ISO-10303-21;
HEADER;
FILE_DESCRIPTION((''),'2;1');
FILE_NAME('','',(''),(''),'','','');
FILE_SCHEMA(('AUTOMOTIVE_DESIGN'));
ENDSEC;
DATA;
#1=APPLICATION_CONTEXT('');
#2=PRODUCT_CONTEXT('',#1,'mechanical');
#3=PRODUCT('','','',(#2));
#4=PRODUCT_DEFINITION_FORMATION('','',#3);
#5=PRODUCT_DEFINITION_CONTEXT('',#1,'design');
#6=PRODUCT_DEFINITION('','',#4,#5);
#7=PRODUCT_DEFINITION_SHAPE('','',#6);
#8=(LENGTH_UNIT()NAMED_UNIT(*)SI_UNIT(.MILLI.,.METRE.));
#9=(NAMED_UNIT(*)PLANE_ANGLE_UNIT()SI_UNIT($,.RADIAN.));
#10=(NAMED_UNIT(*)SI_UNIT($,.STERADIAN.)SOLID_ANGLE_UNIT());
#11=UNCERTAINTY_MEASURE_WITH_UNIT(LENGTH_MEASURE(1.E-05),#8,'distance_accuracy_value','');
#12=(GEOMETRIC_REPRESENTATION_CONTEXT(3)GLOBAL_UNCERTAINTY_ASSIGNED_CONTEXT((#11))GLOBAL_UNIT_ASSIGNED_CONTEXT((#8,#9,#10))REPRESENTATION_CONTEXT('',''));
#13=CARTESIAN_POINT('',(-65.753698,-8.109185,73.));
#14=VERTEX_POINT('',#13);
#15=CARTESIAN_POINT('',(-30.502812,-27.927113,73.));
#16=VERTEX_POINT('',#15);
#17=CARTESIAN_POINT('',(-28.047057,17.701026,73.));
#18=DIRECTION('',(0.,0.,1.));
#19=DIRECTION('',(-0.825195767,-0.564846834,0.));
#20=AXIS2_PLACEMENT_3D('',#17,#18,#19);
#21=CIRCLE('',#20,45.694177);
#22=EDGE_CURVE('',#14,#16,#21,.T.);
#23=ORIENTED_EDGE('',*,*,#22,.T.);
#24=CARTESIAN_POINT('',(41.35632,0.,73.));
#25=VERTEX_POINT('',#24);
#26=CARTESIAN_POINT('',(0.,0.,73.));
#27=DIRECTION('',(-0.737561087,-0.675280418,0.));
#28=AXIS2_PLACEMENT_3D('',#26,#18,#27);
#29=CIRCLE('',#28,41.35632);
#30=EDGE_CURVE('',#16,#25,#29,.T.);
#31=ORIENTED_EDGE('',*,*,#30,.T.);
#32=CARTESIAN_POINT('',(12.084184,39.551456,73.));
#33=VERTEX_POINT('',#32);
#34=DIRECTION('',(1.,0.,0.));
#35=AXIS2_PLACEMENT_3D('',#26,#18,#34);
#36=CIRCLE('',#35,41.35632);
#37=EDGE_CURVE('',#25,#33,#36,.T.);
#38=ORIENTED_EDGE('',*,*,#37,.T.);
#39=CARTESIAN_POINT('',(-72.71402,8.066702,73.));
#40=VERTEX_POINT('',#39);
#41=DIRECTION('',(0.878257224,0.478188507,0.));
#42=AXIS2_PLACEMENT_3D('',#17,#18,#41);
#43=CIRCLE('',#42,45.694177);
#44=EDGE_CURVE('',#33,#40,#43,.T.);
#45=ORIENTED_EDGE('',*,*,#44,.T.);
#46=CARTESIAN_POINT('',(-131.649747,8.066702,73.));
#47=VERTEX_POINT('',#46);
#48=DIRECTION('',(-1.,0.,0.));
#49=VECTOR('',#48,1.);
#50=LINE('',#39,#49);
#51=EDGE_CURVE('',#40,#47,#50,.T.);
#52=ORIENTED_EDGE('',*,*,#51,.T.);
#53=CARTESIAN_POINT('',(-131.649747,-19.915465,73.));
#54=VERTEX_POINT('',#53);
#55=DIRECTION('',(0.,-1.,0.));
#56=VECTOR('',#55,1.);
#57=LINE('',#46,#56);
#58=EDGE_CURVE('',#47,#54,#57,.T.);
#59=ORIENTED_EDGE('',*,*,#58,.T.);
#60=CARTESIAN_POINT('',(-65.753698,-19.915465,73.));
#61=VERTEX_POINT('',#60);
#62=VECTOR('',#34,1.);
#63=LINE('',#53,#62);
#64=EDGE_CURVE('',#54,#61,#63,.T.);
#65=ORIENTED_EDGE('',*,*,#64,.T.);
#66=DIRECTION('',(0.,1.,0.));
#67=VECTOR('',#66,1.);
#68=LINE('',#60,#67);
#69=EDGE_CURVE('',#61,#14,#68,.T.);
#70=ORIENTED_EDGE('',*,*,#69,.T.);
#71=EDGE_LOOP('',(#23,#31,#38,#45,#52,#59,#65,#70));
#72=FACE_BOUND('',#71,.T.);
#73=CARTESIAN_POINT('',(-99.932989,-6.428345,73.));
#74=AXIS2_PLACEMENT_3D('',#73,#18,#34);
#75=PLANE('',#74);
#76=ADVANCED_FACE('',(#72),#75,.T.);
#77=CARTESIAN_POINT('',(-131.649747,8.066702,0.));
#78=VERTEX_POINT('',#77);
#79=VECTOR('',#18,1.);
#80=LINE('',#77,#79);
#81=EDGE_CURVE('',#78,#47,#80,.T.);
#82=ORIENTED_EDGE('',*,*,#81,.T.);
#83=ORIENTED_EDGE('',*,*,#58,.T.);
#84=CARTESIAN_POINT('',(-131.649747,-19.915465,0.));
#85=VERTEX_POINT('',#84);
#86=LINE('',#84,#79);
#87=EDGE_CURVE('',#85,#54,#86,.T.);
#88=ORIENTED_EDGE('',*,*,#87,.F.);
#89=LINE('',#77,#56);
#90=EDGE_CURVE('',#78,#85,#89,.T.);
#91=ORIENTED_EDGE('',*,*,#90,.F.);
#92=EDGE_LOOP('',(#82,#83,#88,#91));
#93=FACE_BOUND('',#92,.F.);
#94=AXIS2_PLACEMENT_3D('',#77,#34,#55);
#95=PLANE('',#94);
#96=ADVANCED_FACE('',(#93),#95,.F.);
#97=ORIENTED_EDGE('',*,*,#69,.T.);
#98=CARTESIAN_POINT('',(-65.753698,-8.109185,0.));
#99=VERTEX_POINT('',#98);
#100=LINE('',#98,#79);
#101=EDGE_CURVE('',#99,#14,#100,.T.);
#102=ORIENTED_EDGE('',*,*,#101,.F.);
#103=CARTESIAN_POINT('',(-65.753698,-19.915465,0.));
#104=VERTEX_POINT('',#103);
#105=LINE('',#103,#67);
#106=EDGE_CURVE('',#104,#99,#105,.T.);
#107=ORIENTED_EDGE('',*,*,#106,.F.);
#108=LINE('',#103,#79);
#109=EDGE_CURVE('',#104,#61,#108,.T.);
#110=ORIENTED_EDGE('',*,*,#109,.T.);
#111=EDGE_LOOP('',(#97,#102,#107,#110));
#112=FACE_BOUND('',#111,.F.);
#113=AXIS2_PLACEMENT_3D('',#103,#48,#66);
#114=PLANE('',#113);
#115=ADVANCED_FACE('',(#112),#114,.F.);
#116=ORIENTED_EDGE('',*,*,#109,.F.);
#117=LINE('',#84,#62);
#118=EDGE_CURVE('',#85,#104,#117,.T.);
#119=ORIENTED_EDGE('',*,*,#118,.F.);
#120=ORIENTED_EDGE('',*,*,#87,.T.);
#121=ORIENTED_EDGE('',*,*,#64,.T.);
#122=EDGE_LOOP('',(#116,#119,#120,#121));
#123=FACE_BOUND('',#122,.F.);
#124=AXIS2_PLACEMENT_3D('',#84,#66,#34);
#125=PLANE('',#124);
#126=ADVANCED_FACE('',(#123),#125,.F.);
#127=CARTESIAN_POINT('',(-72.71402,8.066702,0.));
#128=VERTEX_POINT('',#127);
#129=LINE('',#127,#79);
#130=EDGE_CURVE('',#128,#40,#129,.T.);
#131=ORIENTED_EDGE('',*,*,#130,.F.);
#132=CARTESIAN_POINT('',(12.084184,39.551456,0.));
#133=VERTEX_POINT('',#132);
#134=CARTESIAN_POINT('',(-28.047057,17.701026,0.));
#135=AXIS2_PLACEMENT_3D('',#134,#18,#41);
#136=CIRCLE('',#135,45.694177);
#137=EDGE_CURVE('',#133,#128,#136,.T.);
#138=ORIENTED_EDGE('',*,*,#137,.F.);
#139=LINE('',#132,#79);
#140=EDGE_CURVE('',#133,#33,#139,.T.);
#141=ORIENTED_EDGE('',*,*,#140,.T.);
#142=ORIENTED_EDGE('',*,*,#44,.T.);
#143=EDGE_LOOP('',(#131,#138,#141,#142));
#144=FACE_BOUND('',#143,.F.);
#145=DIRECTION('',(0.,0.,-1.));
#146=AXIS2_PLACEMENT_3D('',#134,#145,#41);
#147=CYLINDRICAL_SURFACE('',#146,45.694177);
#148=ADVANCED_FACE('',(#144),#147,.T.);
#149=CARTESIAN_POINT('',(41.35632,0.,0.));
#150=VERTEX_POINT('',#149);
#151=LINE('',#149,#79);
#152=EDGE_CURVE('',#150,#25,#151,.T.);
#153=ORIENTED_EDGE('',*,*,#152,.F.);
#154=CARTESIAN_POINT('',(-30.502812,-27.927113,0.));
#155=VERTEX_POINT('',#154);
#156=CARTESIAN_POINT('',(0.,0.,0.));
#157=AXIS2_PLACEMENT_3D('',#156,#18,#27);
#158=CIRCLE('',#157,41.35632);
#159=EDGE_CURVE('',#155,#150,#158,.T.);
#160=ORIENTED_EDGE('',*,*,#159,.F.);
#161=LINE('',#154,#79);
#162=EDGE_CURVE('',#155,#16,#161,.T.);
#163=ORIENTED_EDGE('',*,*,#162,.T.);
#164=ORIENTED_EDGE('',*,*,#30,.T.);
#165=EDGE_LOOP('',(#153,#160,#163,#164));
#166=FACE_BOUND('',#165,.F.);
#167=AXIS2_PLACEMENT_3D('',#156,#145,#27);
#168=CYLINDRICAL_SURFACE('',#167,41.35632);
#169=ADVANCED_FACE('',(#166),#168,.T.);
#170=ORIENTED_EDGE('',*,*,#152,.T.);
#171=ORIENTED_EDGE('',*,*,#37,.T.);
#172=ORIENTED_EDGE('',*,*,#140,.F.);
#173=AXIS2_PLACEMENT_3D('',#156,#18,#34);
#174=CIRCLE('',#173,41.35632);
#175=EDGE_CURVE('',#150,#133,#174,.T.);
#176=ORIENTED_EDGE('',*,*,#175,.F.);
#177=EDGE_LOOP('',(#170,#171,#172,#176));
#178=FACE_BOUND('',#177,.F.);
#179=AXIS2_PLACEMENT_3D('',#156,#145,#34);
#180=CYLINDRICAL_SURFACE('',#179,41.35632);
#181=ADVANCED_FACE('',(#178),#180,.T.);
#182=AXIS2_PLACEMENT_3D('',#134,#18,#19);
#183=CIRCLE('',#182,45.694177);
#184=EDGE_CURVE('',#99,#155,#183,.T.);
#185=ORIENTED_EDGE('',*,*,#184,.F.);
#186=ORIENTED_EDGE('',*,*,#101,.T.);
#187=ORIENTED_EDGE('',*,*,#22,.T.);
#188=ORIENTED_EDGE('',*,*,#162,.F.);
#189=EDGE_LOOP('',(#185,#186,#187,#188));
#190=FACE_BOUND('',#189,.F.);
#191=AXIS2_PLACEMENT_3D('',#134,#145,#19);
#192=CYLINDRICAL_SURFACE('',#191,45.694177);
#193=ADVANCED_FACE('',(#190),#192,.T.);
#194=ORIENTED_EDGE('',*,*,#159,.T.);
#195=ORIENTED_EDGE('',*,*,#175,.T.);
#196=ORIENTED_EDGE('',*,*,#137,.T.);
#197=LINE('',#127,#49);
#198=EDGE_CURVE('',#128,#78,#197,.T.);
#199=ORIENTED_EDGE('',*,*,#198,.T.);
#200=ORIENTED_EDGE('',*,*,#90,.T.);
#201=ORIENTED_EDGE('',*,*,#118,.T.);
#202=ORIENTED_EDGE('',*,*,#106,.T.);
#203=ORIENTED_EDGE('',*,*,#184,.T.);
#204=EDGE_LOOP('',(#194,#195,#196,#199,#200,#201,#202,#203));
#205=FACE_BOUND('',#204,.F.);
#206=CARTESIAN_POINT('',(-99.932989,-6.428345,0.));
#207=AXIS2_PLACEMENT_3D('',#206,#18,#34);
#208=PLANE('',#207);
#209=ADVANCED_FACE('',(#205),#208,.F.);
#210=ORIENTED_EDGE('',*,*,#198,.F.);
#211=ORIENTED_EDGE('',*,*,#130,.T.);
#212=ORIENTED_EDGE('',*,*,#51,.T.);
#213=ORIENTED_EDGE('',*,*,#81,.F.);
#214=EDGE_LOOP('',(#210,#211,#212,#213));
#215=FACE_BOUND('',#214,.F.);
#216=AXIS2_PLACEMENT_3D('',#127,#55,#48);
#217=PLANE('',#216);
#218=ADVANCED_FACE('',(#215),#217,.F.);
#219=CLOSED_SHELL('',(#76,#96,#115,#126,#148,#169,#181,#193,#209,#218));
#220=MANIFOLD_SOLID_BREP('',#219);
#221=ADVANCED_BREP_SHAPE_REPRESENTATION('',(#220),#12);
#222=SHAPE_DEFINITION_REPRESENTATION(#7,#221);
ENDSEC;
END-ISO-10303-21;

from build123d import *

# Parameters (mm, degrees)
F1_DEPTH = 73


with BuildPart() as f1:
    # F0 (on Top) → F1 (new body)
    with BuildSketch(Plane.XY):
        with BuildLine():
            Line((-72.7140201691, 8.0667017028), (-131.6497474909, 8.0667017028))
            Line((-131.6497474909, 8.0667017028), (-131.6497474909, -19.9154652655))
            Line((-131.6497474909, -19.9154652655), (-65.753698349, -19.9154652655))
            Line((-65.753698349, -19.9154652655), (-65.753698349, -8.1091851911))
            ThreePointArc((-65.753698349, -8.1091851911), (-70.0204713157, -0.3597130192), (-72.7140201691, 8.0667017028))
        make_face()
        with BuildLine():
            ThreePointArc((12.0841842232, 39.5514563587), (-43.95195039, 60.5378347362), (-72.7140201691, 8.0667017028))
            Line((-72.7140201691, 8.0667017028), (-65.753698349, 8.0667017028))
            Line((-65.753698349, 8.0667017028), (-65.753698349, -8.1091851911))
            ThreePointArc((-65.753698349, -8.1091851911), (-50.4399597526, -22.1300637719), (-30.5028123826, -27.9271130837))
            ThreePointArc((-30.5028123826, -27.9271130837), (-34.9735728703, 22.0724808102), (12.0841842232, 39.5514563587))
        make_face()
        with BuildLine():
            Line((-65.753698349, 8.0667017028), (-72.7140201691, 8.0667017028))
            ThreePointArc((-72.7140201691, 8.0667017028), (-70.0204713157, -0.3597130192), (-65.753698349, -8.1091851911))
            Line((-65.753698349, -8.1091851911), (-65.753698349, 8.0667017028))
        make_face()
        with BuildLine():
            ThreePointArc((41.3563200543, 0), (33.2423118838, 24.6027215782), (12.0841842232, 39.5514563587))
            ThreePointArc((12.0841842232, 39.5514563587), (16.234552473, 28.9747517123), (17.6471201799, 17.7010260522))
            ThreePointArc((17.6471201799, 17.7010260522), (3.3833749523, -15.4665148831), (-30.5028123826, -27.9271130837))
            ThreePointArc((-30.5028123826, -27.9271130837), (14.9810069252, -38.5475633464), (41.3563200543, 0))
        make_face()
        with BuildLine():
            ThreePointArc((17.6471201799, 17.7010260522), (16.234552473, 28.9747517123), (12.0841842232, 39.5514563587))
            ThreePointArc((12.0841842232, 39.5514563587), (-34.9735728703, 22.0724808102), (-30.5028123826, -27.9271130837))
            ThreePointArc((-30.5028123826, -27.9271130837), (3.3833749523, -15.4665148831), (17.6471201799, 17.7010260522))
        make_face()
    extrude(amount=F1_DEPTH)


solid = f1.part
